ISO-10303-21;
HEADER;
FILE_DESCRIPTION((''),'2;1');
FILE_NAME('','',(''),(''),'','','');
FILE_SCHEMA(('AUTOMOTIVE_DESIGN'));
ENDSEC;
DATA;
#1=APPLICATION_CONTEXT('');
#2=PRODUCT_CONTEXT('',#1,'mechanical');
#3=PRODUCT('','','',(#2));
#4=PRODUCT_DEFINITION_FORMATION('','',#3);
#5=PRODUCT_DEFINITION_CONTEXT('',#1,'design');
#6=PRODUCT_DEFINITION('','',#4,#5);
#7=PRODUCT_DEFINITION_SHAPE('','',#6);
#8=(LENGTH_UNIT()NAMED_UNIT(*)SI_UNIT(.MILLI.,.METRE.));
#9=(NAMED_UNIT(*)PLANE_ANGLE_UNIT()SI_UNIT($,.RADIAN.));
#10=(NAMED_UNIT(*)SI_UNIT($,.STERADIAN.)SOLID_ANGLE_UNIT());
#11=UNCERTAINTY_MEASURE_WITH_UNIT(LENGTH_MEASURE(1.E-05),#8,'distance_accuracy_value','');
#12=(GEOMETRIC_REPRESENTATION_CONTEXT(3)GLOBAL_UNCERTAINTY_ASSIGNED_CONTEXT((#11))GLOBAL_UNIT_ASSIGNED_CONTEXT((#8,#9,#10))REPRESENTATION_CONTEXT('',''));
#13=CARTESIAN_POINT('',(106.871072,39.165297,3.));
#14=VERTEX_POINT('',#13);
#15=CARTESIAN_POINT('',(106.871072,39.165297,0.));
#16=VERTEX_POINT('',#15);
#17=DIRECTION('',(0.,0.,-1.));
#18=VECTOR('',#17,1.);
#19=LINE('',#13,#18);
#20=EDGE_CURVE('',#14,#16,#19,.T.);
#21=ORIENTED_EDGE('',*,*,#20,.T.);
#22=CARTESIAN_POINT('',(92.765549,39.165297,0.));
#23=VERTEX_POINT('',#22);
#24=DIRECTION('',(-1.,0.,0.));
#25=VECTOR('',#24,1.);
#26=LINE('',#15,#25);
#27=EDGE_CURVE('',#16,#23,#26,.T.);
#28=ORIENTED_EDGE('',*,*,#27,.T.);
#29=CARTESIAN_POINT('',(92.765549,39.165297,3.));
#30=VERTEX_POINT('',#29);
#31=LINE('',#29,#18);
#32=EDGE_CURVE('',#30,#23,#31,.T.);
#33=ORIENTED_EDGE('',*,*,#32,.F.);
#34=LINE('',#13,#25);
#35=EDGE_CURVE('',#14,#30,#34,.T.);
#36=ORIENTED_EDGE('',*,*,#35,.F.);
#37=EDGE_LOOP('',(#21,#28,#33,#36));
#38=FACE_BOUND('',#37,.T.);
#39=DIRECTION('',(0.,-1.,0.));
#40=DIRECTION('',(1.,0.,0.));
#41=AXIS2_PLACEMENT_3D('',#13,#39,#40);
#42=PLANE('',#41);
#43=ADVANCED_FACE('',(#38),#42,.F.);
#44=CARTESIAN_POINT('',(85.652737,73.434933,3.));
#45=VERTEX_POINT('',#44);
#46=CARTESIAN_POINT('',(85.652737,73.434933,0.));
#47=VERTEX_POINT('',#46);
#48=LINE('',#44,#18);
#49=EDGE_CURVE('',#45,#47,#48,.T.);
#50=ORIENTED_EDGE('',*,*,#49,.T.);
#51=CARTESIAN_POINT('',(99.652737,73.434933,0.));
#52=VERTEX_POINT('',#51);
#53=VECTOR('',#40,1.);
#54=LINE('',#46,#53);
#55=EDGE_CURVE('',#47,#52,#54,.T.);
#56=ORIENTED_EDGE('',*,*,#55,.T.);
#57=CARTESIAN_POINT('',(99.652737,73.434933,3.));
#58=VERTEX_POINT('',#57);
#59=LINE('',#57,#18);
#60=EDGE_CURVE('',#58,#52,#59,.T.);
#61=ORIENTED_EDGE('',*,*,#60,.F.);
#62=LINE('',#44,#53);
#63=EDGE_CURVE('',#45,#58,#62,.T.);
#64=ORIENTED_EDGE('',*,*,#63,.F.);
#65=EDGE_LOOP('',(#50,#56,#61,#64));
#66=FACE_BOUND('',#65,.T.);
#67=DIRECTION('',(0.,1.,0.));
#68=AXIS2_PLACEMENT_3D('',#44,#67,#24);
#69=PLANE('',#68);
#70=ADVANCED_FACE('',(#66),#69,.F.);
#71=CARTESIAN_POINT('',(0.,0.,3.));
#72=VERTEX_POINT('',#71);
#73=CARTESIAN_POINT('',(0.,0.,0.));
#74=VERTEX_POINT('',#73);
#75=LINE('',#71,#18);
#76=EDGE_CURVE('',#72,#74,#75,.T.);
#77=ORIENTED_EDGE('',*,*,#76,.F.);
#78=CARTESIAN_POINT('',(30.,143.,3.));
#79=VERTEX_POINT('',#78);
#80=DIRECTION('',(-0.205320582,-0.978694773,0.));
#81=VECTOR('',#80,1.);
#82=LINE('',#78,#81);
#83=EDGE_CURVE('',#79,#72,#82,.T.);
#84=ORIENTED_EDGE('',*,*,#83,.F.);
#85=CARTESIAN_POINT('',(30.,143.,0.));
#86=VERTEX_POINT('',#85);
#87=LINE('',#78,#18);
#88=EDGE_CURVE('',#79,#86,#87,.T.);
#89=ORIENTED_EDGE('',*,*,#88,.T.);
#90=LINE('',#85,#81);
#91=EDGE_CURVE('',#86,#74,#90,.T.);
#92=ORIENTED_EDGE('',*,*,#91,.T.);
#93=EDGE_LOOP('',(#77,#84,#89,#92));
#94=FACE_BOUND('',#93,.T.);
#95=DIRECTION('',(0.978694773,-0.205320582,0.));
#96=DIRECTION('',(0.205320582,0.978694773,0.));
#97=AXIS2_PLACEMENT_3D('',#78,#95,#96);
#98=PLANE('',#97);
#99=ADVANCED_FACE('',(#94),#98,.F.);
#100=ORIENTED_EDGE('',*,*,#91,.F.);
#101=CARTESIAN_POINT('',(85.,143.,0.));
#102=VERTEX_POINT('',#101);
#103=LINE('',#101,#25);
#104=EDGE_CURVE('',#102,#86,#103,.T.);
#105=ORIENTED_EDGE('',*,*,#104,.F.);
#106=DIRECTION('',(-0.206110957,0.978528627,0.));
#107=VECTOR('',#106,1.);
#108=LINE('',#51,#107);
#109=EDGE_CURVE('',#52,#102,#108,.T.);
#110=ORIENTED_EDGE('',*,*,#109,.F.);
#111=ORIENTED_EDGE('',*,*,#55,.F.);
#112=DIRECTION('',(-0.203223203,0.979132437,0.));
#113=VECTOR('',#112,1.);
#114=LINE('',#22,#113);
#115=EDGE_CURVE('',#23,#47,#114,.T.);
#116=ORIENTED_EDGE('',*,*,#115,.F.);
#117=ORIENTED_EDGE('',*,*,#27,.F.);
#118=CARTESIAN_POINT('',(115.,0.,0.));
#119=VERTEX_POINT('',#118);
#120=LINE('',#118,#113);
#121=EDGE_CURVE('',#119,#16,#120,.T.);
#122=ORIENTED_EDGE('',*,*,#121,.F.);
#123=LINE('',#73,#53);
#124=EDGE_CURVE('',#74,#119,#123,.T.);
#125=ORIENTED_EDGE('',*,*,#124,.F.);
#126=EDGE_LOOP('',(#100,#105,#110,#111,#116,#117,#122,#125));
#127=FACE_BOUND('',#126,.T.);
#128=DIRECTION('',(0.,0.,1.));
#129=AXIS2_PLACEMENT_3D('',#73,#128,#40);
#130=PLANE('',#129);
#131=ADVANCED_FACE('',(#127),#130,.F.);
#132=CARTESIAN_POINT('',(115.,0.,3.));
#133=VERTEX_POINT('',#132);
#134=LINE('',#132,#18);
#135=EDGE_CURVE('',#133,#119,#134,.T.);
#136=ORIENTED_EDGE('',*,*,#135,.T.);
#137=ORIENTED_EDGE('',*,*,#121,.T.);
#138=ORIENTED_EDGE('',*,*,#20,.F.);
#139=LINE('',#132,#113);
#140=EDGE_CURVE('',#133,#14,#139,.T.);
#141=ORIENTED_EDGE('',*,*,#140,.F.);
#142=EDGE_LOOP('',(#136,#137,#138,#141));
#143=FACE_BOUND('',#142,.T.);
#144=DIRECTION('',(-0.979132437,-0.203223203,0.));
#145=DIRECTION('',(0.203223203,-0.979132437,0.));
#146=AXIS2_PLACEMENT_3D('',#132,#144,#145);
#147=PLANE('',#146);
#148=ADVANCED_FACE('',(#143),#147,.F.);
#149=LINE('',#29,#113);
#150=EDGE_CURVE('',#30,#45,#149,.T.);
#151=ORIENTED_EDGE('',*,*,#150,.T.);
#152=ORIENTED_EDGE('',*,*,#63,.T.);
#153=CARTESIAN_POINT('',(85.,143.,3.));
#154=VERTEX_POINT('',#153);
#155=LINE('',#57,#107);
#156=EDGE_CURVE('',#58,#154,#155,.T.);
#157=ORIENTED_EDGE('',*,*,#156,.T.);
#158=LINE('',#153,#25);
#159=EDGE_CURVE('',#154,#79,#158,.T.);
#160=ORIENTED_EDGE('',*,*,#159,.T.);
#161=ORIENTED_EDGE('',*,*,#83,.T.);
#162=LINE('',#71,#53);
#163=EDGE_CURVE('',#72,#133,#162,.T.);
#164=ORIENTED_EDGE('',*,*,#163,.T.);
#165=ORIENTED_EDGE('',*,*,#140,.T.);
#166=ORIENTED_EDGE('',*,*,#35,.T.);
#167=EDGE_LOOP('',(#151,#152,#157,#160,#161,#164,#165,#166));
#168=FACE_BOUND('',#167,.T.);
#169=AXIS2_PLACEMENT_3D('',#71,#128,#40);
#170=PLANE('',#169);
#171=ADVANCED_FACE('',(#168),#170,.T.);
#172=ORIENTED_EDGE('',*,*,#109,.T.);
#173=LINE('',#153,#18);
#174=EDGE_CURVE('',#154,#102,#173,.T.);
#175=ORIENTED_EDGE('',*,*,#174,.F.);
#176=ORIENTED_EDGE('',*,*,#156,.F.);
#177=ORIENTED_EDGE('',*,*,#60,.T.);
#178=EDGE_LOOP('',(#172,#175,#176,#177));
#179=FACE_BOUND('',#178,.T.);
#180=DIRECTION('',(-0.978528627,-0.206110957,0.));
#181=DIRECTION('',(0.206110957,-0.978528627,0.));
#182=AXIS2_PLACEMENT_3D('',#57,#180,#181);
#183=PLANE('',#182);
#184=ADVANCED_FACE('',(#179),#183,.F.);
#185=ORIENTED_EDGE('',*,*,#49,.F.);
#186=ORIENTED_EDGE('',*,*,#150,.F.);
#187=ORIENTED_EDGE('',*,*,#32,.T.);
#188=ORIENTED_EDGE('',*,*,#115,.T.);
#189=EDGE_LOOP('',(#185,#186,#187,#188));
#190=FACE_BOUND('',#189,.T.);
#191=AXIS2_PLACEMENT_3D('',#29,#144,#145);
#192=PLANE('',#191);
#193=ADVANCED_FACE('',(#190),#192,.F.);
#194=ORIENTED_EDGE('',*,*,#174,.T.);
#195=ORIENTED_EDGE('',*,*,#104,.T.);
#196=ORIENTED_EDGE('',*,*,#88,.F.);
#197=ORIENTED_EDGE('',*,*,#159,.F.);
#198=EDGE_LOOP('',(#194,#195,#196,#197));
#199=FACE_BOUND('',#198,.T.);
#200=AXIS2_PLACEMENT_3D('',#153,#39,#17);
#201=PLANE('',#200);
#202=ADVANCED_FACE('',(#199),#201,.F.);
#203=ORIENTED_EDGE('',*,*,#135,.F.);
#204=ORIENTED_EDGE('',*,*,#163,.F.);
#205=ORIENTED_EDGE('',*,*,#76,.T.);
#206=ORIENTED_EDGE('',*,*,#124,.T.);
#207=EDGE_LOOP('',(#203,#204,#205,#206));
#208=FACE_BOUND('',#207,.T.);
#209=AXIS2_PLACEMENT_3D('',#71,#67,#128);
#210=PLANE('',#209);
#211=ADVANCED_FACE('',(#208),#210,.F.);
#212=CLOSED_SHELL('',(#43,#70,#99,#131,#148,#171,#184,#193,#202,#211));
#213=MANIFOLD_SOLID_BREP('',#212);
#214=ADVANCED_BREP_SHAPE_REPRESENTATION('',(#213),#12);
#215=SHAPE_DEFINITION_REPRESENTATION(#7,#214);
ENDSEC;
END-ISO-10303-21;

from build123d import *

# Parameters (mm, degrees)
BOSS_EXTRUDE1_DEPTH = 3


with BuildPart() as part:
    # Sketch1 → Boss-Extrude1 (new body)
    with BuildSketch(Plane.XY):
        Polygon((0, 0), (115, 0), (106.871071862, 39.165297488), (92.765549088, 39.165297488), (85.652736968, 73.43493279), (99.652736968, 73.43493279), (85, 143), (30, 143), align=None)
    extrude(amount=BOSS_EXTRUDE1_DEPTH)


solid = part.part
